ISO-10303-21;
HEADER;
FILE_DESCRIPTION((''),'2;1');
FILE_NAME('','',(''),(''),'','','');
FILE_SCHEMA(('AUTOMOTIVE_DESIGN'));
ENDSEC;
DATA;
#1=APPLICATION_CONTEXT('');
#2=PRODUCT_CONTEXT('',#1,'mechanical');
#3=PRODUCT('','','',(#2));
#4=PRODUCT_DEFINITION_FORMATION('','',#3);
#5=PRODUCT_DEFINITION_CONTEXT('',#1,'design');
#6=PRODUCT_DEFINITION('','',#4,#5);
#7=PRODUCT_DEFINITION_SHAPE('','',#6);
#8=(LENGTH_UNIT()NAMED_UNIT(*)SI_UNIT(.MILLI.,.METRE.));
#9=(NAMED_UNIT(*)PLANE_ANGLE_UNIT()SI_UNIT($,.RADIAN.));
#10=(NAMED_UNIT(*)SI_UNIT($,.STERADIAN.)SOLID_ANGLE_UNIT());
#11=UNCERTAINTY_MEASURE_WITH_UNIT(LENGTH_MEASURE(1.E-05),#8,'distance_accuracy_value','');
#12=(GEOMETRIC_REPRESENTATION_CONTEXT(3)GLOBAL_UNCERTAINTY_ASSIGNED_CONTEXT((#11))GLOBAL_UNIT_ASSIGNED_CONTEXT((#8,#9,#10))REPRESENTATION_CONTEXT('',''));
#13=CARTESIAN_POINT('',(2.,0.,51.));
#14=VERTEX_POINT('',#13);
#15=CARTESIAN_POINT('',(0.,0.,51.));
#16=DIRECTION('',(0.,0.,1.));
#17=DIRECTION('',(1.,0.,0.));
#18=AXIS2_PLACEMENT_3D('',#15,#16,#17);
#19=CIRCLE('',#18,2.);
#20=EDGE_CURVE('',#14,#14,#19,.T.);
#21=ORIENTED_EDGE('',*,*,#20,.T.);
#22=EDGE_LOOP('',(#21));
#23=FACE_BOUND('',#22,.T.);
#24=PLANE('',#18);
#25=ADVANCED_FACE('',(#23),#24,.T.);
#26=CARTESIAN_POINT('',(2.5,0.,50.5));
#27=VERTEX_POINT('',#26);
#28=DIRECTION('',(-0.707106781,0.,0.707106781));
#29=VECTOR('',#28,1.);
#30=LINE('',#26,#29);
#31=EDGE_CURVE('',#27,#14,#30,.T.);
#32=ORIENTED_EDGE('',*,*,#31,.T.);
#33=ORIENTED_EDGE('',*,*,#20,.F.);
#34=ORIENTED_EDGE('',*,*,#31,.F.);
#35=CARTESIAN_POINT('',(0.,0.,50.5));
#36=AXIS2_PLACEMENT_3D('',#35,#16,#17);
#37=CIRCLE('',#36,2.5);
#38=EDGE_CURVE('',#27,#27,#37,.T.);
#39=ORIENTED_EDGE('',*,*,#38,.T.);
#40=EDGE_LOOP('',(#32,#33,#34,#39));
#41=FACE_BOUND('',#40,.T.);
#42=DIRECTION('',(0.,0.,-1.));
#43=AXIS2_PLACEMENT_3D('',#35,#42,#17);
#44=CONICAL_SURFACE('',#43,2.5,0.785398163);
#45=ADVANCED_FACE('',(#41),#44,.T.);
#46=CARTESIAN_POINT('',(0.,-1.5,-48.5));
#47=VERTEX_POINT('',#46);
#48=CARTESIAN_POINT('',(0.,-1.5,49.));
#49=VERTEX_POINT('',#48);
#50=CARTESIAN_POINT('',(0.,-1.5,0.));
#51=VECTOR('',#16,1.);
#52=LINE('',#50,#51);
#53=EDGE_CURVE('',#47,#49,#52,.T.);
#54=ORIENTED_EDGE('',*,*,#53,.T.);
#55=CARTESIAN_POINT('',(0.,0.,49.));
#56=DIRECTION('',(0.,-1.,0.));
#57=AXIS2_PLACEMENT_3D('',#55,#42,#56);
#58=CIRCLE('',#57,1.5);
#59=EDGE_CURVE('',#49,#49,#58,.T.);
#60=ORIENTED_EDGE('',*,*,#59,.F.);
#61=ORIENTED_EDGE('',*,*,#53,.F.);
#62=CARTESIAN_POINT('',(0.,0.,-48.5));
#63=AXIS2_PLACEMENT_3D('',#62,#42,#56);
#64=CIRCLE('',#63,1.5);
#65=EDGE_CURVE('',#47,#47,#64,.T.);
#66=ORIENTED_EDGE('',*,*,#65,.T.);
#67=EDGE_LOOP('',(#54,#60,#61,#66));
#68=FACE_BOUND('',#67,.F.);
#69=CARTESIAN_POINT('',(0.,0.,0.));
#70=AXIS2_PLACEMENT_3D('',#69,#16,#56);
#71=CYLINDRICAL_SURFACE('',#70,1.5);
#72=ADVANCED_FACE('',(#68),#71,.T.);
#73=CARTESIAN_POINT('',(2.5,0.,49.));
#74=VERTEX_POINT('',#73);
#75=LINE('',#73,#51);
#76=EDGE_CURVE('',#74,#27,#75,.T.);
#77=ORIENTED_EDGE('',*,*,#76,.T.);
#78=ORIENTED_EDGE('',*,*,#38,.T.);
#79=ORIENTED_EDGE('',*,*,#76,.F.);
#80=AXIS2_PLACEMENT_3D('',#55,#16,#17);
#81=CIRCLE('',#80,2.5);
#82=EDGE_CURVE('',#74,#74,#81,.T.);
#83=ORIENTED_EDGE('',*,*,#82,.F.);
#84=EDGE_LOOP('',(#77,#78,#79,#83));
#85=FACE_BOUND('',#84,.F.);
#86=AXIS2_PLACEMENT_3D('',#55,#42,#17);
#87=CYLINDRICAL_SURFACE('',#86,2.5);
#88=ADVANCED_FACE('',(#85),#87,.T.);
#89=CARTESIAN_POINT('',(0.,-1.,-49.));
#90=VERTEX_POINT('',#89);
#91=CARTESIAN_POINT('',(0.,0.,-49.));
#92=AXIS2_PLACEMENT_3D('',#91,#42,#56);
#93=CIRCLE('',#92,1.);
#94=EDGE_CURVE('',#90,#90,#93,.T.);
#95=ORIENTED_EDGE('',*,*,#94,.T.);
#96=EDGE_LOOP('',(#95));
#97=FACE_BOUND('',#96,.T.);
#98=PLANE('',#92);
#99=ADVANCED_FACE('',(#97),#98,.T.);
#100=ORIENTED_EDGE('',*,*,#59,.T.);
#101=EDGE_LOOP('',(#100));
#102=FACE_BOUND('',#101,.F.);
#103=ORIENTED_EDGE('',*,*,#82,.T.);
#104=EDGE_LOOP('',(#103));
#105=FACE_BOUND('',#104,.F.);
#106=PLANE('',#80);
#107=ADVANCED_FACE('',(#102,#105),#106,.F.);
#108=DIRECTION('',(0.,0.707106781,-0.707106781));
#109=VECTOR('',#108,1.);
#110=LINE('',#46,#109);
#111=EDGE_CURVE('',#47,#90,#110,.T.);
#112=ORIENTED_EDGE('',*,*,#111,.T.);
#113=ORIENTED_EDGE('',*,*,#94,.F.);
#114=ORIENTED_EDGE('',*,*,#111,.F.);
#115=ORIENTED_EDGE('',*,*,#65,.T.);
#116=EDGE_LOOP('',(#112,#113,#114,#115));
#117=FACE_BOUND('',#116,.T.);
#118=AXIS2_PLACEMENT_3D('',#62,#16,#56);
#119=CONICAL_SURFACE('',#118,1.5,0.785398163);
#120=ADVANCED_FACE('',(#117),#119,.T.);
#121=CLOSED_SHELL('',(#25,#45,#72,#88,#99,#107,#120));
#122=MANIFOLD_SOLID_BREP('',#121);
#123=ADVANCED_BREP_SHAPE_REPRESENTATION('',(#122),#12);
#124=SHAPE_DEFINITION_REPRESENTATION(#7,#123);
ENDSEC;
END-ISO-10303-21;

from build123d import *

# Parameters (mm, degrees)
F0_W     = 1.5
F0_H     = 98
F2_SIZE  = 0.5
F3_R     = 2.5
F3_R_2   = 1.5
F4_DEPTH = 2
F5_SIZE  = 0.5


with BuildPart() as f1:
    # F0 (on Right) → F1 (revolve)
    with BuildSketch(Plane.YZ):
        with Locations((-0.75, 0)):
            Rectangle(F0_W, F0_H)
    revolve(axis=Axis((0, 0, 0), (0, 0, -1)))

    # F2
    f2_edges = [f1.edges().sort_by_distance(p)[0] for p in [
        (0, 1.5, -49),
    ]]
    chamfer(f2_edges, length=F2_SIZE)

    # F3 (on face) → F4 (join)
    with BuildSketch(Plane.XY.offset(49)):
        Circle(F3_R)
        Circle(F3_R_2, mode=Mode.SUBTRACT)
        Circle(F3_R_2)
    extrude(amount=F4_DEPTH)

    # F5
    f5_edges = [f1.edges().sort_by_distance(p)[0] for p in [
        (-2.5, 0, 51),
    ]]
    chamfer(f5_edges, length=F5_SIZE)


solid = f1.part
